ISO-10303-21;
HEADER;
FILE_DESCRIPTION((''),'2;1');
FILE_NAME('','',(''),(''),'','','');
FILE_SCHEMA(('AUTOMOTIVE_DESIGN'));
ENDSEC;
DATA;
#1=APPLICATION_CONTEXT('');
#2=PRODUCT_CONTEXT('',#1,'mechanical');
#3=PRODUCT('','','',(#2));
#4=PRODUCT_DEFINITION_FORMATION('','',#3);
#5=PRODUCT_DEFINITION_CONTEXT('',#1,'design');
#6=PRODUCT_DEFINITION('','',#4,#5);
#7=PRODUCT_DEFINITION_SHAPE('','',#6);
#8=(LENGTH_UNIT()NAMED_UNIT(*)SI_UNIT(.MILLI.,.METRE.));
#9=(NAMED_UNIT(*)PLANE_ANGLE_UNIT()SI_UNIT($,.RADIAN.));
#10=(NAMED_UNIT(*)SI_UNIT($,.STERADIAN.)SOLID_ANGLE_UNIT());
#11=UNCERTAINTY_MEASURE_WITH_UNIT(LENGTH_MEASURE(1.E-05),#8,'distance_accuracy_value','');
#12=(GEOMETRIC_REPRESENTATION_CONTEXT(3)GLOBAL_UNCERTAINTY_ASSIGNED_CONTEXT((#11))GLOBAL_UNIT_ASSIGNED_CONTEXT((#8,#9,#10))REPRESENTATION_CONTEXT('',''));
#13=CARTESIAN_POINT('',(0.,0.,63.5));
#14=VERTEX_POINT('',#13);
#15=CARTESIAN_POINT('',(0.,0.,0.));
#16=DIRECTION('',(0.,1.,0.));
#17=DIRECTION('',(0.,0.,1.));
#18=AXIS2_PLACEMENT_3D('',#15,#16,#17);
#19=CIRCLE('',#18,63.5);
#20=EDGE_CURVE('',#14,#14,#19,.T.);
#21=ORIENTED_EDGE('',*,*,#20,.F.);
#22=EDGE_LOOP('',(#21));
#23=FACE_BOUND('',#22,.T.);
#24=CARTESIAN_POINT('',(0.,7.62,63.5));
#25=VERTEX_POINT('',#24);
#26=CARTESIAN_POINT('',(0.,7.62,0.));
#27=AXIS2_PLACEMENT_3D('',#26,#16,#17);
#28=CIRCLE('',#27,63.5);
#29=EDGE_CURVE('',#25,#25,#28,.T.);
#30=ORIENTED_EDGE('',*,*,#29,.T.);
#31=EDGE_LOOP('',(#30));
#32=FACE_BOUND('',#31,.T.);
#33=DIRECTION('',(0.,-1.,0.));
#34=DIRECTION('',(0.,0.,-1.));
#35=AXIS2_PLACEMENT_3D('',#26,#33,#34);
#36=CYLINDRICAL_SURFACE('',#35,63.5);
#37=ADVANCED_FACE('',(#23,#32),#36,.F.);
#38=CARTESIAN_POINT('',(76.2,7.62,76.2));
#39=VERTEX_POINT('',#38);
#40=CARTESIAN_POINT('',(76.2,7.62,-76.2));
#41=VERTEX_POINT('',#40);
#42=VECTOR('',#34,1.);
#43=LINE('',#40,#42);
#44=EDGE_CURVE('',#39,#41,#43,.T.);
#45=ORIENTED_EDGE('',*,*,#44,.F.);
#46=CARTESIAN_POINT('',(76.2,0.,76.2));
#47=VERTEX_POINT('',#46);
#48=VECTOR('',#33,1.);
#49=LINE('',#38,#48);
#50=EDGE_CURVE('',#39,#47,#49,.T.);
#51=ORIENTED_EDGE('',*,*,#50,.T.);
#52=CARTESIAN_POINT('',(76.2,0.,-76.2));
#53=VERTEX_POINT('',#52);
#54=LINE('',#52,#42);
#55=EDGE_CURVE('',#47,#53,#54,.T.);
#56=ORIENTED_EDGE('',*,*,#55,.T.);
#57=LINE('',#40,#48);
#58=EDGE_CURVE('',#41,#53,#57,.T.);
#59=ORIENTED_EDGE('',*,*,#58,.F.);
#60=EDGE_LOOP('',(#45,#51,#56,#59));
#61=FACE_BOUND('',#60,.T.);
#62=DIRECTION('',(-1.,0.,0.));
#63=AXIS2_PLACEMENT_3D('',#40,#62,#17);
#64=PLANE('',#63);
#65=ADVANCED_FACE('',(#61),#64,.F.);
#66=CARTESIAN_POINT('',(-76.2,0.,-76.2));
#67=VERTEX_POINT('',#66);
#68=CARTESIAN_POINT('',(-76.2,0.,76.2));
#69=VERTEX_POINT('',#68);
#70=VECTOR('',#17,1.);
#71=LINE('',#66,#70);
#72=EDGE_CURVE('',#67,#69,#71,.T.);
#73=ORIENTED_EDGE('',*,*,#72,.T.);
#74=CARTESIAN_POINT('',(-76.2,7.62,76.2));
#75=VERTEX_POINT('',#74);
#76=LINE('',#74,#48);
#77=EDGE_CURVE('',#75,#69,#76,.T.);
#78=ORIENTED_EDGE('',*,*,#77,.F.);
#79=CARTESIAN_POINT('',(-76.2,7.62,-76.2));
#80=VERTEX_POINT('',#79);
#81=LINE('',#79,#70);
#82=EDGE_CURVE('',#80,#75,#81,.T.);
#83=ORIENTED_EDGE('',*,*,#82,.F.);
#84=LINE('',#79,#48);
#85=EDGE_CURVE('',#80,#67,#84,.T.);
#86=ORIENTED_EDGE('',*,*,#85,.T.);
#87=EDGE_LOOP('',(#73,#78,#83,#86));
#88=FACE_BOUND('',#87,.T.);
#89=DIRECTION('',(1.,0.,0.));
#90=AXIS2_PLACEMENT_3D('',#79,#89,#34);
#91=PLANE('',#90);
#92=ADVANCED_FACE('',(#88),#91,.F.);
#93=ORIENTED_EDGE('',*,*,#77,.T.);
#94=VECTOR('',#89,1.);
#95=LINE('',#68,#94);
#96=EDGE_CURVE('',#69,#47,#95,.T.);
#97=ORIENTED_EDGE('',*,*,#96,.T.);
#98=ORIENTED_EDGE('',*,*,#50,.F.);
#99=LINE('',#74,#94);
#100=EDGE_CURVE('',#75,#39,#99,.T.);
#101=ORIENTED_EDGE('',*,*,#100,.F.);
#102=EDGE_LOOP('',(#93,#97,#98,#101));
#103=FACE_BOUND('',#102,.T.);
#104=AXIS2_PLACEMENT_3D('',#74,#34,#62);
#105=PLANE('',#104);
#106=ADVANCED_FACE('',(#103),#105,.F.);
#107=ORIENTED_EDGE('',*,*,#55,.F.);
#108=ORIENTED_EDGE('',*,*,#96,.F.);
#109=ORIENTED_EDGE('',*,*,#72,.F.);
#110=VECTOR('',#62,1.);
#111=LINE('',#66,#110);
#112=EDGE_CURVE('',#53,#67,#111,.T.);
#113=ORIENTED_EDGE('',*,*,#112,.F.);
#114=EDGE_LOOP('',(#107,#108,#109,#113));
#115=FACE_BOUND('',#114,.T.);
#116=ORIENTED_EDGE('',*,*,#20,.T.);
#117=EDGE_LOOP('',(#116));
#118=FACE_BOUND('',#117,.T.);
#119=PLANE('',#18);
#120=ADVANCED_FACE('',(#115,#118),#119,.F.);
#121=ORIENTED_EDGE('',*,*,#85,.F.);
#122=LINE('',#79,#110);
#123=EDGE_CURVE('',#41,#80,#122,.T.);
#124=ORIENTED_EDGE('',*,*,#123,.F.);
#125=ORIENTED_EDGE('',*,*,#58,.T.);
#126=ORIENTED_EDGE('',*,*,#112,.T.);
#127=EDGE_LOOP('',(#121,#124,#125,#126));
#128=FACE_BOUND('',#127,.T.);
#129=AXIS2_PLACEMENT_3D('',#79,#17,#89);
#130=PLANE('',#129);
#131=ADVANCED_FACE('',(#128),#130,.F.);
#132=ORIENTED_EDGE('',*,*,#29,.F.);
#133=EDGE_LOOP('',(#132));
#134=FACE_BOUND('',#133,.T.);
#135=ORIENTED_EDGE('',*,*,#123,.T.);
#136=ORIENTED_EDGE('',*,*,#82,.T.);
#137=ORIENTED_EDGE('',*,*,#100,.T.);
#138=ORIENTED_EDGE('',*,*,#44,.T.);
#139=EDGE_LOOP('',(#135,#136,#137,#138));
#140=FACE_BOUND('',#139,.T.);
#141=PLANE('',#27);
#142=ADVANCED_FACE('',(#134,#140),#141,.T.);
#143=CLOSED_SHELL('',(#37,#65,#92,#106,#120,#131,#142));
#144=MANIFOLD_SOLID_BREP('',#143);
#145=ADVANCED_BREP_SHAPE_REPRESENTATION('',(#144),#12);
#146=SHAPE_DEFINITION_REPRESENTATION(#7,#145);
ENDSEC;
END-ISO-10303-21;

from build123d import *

# Parameters (mm, degrees)
SKETCH2_W           = 152.4
SKETCH2_H           = 152.4
SKETCH2_R           = 63.5
BOSS_EXTRUDE1_DEPTH = 7.62


with BuildPart() as part:
    # Sketch2 → Boss-Extrude1 (new body)
    with BuildSketch(Plane(origin=(0, 0, 0), x_dir=(1, 0, 0), z_dir=(0, 1, 0))):
        Rectangle(SKETCH2_W, SKETCH2_H)
        Circle(SKETCH2_R, mode=Mode.SUBTRACT)
    extrude(amount=BOSS_EXTRUDE1_DEPTH)


solid = part.part
